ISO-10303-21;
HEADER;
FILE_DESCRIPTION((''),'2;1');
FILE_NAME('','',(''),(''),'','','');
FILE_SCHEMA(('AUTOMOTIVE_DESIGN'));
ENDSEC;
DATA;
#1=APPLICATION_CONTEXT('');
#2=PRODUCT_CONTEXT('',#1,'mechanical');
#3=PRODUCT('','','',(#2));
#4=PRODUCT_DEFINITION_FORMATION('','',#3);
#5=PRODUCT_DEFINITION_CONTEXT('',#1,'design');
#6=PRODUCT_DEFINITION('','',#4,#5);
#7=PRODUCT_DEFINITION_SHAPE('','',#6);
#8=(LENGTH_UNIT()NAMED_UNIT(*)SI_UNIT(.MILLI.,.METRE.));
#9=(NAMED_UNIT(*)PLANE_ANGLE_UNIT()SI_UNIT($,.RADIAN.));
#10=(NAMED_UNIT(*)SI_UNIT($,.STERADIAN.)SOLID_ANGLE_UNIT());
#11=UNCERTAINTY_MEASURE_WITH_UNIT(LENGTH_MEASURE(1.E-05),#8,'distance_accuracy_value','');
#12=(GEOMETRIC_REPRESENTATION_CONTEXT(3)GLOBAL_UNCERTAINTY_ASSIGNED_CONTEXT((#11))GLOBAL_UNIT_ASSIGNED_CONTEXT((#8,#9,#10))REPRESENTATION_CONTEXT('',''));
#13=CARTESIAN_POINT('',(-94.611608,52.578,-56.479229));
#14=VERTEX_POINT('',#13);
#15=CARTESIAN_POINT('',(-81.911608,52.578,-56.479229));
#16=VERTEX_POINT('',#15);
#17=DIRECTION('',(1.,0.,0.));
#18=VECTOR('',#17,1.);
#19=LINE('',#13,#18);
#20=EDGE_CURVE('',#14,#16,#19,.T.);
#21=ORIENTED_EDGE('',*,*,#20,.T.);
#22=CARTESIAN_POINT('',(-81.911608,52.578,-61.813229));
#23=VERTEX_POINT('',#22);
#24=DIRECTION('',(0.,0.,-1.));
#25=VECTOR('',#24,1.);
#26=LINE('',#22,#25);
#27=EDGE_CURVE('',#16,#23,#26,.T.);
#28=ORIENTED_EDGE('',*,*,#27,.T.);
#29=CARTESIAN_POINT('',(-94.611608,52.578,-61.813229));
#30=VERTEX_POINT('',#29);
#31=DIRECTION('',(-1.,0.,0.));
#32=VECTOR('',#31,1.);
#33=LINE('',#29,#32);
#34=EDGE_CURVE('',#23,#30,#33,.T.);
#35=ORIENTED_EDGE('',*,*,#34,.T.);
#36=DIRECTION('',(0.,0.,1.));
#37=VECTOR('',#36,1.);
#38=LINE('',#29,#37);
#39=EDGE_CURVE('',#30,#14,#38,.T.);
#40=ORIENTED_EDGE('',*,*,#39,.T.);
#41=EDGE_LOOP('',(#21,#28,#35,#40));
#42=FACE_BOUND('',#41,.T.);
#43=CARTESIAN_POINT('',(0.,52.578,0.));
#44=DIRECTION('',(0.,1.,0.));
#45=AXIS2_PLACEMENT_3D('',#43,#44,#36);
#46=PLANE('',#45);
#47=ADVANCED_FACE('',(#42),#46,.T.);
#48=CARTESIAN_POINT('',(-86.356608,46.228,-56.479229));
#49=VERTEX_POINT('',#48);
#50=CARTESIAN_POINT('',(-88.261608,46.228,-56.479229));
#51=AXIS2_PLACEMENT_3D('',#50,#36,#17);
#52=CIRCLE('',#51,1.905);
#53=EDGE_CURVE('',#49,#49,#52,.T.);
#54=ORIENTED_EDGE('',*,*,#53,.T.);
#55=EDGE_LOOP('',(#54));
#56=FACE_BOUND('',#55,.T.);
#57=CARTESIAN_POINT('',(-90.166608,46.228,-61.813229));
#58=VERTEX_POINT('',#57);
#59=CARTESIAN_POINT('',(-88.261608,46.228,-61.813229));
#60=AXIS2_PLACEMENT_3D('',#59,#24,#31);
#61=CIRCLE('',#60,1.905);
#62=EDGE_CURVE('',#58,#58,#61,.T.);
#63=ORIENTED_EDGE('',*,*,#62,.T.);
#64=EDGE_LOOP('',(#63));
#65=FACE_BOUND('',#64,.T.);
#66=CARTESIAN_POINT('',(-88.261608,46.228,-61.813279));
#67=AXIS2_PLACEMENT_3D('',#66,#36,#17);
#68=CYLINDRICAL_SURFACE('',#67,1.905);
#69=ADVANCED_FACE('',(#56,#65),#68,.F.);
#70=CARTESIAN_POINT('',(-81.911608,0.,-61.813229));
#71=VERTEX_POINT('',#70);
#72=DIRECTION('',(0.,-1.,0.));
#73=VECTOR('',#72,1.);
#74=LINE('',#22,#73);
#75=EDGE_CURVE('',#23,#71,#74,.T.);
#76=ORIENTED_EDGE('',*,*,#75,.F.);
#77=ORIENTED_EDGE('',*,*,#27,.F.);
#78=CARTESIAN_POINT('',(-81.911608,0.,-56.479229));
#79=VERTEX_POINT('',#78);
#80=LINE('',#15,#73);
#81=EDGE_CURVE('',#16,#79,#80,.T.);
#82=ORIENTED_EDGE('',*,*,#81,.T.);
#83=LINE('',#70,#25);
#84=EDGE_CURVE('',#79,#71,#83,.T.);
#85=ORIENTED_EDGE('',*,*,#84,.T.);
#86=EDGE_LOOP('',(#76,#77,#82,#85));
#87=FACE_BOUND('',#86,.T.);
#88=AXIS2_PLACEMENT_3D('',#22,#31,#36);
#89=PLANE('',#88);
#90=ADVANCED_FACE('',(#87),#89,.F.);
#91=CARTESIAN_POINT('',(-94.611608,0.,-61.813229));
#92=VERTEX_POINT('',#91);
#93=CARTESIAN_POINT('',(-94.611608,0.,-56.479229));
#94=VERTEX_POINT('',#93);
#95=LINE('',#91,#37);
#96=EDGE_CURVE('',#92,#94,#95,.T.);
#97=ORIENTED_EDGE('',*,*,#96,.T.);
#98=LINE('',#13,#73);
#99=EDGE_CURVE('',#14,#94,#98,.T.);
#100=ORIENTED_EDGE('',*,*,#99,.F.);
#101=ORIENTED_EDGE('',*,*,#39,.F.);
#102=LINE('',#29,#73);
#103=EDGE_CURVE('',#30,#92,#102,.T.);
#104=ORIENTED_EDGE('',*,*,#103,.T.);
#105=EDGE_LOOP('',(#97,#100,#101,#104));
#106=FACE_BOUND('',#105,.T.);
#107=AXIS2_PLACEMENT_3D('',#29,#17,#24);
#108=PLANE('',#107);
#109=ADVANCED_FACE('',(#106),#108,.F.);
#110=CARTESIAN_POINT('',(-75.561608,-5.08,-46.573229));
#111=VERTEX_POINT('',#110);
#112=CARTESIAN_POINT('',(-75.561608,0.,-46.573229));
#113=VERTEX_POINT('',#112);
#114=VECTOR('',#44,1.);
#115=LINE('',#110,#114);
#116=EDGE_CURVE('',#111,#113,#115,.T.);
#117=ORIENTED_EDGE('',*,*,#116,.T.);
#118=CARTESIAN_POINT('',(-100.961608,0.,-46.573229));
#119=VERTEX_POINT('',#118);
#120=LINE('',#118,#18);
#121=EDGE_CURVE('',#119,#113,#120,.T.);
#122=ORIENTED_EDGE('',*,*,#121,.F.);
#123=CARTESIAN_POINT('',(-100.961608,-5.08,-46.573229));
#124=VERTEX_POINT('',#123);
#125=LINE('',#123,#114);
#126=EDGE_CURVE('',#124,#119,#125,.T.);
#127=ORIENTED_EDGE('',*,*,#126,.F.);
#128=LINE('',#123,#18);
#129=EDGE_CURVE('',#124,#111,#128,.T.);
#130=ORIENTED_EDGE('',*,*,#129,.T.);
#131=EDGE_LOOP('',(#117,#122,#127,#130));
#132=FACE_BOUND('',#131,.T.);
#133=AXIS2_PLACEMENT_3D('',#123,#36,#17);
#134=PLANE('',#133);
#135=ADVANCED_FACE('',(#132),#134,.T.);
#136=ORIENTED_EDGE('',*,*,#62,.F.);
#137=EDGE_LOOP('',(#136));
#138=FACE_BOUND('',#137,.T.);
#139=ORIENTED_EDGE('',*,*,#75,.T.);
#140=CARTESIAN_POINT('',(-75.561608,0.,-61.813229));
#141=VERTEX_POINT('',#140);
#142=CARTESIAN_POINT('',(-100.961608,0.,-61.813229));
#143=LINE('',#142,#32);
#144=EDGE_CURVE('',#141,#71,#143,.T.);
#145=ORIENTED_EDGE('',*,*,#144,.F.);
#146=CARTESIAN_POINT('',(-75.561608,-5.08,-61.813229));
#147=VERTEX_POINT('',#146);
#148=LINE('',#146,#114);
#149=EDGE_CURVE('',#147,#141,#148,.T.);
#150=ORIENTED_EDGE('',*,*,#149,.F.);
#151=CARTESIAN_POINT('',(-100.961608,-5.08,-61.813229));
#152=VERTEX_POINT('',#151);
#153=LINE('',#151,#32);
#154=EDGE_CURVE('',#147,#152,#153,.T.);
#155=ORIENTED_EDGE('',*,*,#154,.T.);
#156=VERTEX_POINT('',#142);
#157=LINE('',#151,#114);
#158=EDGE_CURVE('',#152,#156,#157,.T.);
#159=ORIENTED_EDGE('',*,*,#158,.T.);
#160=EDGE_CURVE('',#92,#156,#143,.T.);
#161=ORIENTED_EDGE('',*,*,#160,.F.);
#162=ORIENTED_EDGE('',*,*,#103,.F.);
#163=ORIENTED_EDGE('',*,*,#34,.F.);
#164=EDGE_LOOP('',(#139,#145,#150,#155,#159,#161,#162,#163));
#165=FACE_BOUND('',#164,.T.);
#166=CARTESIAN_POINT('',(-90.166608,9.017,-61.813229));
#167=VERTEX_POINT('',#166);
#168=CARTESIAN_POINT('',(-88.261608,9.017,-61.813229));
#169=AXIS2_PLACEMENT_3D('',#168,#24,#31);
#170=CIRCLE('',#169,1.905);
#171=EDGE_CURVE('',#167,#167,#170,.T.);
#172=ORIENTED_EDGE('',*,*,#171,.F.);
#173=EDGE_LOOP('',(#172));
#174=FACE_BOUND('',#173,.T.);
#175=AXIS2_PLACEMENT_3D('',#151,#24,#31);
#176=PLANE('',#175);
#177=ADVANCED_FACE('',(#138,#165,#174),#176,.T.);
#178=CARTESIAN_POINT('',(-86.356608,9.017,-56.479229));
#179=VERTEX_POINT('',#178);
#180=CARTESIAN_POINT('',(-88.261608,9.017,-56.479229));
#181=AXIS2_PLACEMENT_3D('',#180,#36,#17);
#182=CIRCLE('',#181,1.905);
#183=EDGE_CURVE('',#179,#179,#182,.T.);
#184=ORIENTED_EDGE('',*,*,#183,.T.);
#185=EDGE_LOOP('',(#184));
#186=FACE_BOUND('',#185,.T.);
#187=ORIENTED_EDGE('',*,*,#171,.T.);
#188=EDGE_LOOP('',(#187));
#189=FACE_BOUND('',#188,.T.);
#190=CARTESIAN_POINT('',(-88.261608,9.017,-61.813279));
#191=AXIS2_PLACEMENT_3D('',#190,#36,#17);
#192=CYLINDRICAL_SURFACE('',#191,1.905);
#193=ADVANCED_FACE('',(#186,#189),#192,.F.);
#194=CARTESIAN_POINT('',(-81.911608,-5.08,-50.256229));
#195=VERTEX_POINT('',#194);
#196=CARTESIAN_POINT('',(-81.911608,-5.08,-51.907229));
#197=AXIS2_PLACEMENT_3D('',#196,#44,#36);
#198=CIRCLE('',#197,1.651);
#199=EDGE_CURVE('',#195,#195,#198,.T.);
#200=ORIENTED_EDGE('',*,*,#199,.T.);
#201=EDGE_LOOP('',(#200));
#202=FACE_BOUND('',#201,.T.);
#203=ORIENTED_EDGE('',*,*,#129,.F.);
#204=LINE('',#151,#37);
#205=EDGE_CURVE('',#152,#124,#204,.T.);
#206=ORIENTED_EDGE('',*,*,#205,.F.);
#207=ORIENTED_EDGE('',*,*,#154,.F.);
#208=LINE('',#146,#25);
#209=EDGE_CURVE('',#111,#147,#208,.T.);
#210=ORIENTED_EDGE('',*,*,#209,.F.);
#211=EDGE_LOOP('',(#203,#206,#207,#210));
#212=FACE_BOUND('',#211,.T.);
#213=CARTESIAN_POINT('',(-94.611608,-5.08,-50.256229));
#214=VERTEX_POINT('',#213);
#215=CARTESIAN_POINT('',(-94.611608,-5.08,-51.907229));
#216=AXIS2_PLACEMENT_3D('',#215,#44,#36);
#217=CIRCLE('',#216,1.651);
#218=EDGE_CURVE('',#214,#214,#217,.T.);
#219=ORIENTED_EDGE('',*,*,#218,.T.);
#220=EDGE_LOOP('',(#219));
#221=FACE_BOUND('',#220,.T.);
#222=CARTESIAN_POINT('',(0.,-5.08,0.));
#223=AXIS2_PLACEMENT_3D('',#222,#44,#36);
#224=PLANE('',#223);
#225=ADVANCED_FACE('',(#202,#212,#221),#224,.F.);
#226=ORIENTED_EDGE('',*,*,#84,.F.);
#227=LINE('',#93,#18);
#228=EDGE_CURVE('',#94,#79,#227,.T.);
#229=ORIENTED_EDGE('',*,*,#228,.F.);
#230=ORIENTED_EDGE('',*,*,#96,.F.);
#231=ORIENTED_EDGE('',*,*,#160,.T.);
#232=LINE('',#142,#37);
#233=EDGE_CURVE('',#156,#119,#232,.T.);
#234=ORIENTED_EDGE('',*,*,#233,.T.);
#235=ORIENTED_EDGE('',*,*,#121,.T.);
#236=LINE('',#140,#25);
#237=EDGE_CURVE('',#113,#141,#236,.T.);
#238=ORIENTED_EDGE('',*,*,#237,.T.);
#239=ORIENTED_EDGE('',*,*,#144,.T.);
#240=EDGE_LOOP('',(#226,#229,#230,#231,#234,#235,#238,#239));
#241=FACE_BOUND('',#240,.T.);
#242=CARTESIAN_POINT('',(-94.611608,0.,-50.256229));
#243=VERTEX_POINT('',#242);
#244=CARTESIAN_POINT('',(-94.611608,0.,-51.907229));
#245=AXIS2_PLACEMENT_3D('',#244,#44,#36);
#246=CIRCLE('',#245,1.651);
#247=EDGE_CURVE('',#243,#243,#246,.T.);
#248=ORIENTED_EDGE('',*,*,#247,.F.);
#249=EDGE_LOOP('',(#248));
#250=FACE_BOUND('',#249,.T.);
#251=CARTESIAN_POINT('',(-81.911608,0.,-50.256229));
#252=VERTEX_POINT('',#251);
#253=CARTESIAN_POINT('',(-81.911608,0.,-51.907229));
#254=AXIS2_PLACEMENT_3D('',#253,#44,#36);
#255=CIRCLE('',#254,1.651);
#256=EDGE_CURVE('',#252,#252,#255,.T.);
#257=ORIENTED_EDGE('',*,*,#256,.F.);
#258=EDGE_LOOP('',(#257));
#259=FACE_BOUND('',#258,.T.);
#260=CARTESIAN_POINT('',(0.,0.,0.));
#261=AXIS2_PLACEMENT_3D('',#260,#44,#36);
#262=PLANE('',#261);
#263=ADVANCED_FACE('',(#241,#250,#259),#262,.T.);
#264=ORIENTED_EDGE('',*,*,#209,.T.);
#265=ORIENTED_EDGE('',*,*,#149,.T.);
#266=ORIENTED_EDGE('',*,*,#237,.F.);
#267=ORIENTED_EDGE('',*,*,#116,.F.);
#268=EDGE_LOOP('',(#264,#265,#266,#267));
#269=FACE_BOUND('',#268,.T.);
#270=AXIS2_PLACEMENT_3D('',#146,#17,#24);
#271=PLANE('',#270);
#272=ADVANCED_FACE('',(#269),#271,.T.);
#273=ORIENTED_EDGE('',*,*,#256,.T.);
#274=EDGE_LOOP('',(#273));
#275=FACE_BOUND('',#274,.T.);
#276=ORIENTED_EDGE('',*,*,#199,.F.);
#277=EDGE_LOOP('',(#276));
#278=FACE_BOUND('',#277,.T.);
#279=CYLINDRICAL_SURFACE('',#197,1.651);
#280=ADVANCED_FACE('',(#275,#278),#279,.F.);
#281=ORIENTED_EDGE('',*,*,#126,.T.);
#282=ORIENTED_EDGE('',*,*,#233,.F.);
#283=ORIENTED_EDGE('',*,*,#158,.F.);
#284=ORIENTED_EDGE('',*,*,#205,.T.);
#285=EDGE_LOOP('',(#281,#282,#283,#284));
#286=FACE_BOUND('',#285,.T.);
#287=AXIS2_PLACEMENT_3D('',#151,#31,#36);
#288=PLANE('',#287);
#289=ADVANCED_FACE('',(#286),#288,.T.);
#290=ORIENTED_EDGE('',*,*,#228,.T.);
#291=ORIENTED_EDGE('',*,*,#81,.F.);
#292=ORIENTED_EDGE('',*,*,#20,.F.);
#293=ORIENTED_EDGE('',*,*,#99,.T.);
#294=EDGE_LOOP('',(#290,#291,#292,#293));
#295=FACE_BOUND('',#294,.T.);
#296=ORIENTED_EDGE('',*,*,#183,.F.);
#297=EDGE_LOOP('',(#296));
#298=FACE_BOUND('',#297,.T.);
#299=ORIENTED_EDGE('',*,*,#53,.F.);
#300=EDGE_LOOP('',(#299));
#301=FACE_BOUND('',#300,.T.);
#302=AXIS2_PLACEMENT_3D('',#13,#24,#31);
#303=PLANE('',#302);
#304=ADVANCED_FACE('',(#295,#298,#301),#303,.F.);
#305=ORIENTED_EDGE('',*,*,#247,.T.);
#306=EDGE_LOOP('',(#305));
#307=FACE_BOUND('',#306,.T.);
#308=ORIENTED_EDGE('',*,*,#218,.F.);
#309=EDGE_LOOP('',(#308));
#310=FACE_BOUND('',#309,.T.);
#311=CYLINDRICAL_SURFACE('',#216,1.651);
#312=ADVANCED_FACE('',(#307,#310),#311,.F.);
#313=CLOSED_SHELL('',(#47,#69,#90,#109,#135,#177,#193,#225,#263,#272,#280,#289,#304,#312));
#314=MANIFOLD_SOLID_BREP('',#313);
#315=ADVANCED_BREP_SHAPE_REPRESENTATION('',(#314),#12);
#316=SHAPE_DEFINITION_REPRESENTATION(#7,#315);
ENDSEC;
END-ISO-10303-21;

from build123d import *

# Parameters (mm, degrees)
SKETCH1_W           = 25.4
SKETCH1_H           = 15.24
BOSS_EXTRUDE1_DEPTH = 5.08
SKETCH2_R           = 1.651
CUT_EXTRUDE1_DEPTH  = 119.490202326
SKETCH3_W           = 12.7
SKETCH3_H           = 5.334
BOSS_EXTRUDE2_DEPTH = 52.578
SKETCH4_R           = 1.905
CUT_EXTRUDE2_DEPTH  = 115.262072587


with BuildPart() as part:
    # Sketch1 → Boss-Extrude1 (new body)
    with BuildSketch(Plane(origin=(0, 0, 0), x_dir=(1, 0, 0), z_dir=(0, 1, 0))):
        with Locations((-88.261608108, 54.193229454)):
            Rectangle(SKETCH1_W, SKETCH1_H)
    extrude(amount=-BOSS_EXTRUDE1_DEPTH)

    # Sketch2 → Cut-Extrude1 (cut, through all)
    with BuildSketch(Plane(origin=(0, 0, 0), x_dir=(1, 0, 0), z_dir=(0, 1, 0))):
        with Locations(Location((-94.611608108, 51.907229454, 0), (0, 0, 270))):
            Circle(SKETCH2_R)
        with Locations(Location((-81.911608108, 51.907229454, 0), (0, 0, 270))):
            Circle(SKETCH2_R)
    extrude(amount=-CUT_EXTRUDE1_DEPTH, mode=Mode.SUBTRACT)

    # Sketch3 → Boss-Extrude2 (add)
    with BuildSketch(Plane(origin=(0, 0, 0), x_dir=(1, 0, 0), z_dir=(0, 1, 0))):
        with Locations((-88.261608108, 59.146229454)):
            Rectangle(SKETCH3_W, SKETCH3_H)
    extrude(amount=BOSS_EXTRUDE2_DEPTH)

    # Sketch4 → Cut-Extrude2 (cut, through all)
    with BuildSketch(Plane.XY.offset(-56.479229454)):
        with Locations((-88.261608108, 46.228)):
            Circle(SKETCH4_R)
        with Locations((-88.261608108, 9.017)):
            Circle(SKETCH4_R)
    extrude(amount=-CUT_EXTRUDE2_DEPTH, mode=Mode.SUBTRACT)


solid = part.part
